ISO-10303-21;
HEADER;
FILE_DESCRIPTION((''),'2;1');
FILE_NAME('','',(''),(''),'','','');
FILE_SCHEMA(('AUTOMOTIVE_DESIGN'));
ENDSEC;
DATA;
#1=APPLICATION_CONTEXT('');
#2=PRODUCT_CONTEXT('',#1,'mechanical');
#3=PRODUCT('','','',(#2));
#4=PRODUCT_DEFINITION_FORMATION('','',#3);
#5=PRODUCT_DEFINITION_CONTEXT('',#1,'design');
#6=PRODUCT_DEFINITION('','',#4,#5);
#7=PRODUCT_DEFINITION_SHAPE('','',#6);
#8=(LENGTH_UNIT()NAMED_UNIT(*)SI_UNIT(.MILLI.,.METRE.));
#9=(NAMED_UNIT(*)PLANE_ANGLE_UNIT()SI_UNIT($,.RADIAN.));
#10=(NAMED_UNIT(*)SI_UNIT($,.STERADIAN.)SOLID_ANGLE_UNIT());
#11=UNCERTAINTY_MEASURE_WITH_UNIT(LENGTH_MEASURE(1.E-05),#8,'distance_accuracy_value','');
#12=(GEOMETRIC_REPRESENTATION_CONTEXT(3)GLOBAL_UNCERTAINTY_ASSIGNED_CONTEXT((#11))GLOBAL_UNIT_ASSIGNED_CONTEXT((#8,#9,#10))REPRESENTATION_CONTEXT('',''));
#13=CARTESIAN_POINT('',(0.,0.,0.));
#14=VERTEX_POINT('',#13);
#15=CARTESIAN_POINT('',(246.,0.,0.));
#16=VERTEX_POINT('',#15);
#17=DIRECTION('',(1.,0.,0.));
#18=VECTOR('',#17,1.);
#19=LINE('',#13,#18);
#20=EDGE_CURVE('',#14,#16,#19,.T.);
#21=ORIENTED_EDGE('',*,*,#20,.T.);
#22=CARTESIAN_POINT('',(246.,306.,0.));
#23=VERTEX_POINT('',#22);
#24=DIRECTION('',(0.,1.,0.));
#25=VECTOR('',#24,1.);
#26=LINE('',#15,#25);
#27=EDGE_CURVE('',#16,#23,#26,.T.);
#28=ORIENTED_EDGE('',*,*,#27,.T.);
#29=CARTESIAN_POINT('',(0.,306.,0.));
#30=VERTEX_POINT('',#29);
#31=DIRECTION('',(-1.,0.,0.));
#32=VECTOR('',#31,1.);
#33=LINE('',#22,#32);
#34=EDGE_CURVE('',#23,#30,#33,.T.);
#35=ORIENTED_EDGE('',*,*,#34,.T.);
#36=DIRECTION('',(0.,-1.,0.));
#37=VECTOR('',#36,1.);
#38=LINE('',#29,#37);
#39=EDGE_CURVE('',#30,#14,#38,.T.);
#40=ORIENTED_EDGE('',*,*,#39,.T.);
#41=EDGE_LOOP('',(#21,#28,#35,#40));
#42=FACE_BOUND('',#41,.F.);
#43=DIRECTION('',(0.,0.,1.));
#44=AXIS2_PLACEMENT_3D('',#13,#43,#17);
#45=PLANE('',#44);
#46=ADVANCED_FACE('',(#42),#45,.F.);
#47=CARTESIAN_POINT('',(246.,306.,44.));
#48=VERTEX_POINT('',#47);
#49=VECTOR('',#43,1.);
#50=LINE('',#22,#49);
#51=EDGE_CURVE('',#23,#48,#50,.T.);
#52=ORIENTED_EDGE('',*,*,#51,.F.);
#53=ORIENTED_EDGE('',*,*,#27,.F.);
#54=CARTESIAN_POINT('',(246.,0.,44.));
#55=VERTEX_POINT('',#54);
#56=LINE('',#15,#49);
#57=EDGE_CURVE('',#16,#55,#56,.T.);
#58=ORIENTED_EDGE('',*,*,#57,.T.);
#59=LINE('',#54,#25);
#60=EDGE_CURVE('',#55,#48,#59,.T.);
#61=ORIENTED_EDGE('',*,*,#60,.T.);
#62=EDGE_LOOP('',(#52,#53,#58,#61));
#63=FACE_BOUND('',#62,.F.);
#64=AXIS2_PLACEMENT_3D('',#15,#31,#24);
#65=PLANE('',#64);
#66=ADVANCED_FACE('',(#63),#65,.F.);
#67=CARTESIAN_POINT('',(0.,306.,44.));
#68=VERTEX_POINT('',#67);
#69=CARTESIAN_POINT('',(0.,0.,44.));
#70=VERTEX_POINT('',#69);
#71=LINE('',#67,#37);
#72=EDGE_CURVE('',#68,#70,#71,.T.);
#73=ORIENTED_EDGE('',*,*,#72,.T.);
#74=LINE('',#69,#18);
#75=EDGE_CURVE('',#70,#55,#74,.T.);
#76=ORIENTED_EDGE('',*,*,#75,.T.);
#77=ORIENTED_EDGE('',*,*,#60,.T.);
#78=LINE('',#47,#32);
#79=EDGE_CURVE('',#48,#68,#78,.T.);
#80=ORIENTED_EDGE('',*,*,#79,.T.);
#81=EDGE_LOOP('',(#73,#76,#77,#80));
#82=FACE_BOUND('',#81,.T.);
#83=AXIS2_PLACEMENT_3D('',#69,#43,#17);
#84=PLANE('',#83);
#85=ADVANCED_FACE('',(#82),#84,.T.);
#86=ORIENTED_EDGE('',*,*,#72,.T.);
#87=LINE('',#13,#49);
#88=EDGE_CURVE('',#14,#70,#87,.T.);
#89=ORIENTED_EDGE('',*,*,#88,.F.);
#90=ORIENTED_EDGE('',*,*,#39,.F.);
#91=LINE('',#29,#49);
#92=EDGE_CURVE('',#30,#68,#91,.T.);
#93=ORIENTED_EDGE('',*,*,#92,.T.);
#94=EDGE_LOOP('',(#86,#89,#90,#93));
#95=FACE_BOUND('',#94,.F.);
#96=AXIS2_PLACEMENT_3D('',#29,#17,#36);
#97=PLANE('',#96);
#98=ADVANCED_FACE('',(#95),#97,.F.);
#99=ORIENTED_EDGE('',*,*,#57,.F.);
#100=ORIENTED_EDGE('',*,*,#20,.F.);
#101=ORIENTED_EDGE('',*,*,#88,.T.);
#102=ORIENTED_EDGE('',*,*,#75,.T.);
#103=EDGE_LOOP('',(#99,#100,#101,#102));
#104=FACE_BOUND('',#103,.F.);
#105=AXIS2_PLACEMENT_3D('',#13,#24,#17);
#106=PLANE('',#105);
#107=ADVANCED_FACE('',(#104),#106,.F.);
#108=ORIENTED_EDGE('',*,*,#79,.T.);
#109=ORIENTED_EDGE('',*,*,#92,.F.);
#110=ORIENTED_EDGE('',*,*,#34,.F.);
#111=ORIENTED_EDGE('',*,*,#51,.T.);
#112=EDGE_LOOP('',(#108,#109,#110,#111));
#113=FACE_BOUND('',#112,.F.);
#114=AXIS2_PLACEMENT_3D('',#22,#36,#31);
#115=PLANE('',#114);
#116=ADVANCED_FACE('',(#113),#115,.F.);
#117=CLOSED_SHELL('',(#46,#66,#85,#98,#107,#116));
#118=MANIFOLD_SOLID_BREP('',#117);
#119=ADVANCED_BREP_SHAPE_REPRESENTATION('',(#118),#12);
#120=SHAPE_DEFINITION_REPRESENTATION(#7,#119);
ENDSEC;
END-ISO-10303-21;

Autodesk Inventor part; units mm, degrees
ref_plane "YZ Plane" through (0, 0, 0) normal (1, 0, 0) x (0, 1, 0)
ref_plane "XZ Plane" through (0, 0, 0) normal (0, 1, 0) x (-1, 0, 0)
ref_plane "XY Plane" through (0, 0, 0) normal (0, 0, 1) x (1, 0, 0)
sketch "Эскиз1" plane through (0, 0, 0) normal (0, 0, 1) x (1, 0, 0)
  line L0 (0, 0) -> (246, 0)
  line L1 (246, 0) -> (246, 306)
  line L2 (246, 306) -> (0, 306)
  line L3 (0, 306) -> (0, 0)
  dimension "d0" = 246
  dimension "d1" = 306
extrude "Выдавливание1" add sketch "Эскиз1" along normal blind 44
properties part number "back"
